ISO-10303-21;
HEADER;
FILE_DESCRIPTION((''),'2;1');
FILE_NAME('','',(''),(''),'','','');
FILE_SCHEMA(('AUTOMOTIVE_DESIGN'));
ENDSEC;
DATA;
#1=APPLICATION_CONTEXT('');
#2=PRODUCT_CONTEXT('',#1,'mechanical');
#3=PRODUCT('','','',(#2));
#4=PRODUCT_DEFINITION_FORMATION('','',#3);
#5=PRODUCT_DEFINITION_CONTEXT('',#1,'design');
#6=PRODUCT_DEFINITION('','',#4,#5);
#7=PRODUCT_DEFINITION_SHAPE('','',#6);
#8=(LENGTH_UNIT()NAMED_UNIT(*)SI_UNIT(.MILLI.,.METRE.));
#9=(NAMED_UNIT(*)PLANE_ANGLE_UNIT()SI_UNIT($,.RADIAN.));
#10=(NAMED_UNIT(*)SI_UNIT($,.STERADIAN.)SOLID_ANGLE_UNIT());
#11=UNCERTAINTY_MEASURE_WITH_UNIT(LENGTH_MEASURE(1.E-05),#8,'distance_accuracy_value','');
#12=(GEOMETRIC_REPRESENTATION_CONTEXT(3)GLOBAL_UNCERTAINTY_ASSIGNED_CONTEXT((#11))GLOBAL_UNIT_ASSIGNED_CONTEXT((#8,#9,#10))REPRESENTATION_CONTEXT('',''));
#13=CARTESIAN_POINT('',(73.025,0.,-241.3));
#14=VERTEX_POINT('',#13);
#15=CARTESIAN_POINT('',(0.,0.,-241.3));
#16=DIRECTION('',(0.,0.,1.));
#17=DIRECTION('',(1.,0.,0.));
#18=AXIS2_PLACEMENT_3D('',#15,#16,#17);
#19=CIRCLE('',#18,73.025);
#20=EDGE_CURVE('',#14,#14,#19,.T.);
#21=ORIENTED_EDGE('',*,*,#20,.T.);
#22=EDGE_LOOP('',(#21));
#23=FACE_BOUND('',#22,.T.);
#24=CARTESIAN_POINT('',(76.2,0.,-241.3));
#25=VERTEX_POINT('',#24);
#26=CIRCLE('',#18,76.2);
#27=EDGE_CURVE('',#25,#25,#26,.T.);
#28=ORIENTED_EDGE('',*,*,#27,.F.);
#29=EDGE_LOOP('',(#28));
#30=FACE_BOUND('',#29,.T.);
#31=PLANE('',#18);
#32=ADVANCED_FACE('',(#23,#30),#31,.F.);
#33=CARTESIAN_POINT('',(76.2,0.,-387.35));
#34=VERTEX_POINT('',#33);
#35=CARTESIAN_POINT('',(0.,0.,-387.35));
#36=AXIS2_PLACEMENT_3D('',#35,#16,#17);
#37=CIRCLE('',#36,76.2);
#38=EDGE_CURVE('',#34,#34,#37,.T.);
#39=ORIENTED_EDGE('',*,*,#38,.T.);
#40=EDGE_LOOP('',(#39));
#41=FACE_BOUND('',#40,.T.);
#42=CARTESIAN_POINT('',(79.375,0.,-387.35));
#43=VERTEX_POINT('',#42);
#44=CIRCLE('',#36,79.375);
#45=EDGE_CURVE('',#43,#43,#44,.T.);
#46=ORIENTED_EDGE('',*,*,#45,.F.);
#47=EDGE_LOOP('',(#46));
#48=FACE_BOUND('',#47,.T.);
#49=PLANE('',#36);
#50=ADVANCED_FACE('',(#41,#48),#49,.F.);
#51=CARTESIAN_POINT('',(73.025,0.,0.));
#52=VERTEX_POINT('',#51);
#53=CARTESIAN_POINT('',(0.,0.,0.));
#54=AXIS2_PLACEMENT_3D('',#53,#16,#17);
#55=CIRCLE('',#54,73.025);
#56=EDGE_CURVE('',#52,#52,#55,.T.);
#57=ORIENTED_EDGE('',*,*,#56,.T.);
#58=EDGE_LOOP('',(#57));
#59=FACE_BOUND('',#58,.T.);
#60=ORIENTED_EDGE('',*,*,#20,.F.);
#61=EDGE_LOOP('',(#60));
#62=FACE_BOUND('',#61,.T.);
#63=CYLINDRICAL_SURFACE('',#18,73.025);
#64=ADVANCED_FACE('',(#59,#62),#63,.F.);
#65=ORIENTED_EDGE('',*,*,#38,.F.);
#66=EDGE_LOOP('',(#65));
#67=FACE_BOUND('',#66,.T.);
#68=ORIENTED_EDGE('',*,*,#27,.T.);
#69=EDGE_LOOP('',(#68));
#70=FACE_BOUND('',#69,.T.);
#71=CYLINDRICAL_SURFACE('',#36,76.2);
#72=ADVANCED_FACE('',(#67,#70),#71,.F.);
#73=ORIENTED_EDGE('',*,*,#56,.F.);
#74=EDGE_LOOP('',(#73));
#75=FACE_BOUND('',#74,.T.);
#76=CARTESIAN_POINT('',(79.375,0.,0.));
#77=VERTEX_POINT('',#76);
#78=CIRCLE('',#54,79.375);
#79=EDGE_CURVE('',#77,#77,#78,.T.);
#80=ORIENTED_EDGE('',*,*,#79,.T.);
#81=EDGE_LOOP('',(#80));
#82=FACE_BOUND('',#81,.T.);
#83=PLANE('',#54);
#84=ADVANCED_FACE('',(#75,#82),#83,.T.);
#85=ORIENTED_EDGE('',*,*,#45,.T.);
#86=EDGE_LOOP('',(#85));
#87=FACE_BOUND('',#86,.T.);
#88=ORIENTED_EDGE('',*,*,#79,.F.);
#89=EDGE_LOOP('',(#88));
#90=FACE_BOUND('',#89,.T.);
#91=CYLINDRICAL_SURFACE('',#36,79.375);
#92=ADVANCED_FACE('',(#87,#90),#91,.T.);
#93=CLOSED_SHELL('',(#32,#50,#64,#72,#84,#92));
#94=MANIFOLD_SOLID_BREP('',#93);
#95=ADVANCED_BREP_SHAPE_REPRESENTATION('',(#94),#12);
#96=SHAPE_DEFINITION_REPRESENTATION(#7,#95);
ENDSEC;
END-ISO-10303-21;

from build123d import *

# Parameters (mm, degrees)
SKETCH1_R           = 76.2
SKETCH1_R_2         = 73.025
BOSS_EXTRUDE1_DEPTH = 241.3
SKETCH1_3_R         = 79.375
SKETCH1_3_R_2       = 76.2
BOSS_EXTRUDE2_DEPTH = 387.35


with BuildPart() as part:
    # Sketch1 → Boss-Extrude1 (new body)
    with BuildSketch(Plane.XY):
        Circle(SKETCH1_R)
        Circle(SKETCH1_R_2, mode=Mode.SUBTRACT)
    extrude(amount=-BOSS_EXTRUDE1_DEPTH)

    # Sketch1<3> → Boss-Extrude2 (add)
    with BuildSketch(Plane.XY):
        Circle(SKETCH1_3_R)
        Circle(SKETCH1_3_R_2, mode=Mode.SUBTRACT)
    extrude(amount=-BOSS_EXTRUDE2_DEPTH)


solid = part.part
